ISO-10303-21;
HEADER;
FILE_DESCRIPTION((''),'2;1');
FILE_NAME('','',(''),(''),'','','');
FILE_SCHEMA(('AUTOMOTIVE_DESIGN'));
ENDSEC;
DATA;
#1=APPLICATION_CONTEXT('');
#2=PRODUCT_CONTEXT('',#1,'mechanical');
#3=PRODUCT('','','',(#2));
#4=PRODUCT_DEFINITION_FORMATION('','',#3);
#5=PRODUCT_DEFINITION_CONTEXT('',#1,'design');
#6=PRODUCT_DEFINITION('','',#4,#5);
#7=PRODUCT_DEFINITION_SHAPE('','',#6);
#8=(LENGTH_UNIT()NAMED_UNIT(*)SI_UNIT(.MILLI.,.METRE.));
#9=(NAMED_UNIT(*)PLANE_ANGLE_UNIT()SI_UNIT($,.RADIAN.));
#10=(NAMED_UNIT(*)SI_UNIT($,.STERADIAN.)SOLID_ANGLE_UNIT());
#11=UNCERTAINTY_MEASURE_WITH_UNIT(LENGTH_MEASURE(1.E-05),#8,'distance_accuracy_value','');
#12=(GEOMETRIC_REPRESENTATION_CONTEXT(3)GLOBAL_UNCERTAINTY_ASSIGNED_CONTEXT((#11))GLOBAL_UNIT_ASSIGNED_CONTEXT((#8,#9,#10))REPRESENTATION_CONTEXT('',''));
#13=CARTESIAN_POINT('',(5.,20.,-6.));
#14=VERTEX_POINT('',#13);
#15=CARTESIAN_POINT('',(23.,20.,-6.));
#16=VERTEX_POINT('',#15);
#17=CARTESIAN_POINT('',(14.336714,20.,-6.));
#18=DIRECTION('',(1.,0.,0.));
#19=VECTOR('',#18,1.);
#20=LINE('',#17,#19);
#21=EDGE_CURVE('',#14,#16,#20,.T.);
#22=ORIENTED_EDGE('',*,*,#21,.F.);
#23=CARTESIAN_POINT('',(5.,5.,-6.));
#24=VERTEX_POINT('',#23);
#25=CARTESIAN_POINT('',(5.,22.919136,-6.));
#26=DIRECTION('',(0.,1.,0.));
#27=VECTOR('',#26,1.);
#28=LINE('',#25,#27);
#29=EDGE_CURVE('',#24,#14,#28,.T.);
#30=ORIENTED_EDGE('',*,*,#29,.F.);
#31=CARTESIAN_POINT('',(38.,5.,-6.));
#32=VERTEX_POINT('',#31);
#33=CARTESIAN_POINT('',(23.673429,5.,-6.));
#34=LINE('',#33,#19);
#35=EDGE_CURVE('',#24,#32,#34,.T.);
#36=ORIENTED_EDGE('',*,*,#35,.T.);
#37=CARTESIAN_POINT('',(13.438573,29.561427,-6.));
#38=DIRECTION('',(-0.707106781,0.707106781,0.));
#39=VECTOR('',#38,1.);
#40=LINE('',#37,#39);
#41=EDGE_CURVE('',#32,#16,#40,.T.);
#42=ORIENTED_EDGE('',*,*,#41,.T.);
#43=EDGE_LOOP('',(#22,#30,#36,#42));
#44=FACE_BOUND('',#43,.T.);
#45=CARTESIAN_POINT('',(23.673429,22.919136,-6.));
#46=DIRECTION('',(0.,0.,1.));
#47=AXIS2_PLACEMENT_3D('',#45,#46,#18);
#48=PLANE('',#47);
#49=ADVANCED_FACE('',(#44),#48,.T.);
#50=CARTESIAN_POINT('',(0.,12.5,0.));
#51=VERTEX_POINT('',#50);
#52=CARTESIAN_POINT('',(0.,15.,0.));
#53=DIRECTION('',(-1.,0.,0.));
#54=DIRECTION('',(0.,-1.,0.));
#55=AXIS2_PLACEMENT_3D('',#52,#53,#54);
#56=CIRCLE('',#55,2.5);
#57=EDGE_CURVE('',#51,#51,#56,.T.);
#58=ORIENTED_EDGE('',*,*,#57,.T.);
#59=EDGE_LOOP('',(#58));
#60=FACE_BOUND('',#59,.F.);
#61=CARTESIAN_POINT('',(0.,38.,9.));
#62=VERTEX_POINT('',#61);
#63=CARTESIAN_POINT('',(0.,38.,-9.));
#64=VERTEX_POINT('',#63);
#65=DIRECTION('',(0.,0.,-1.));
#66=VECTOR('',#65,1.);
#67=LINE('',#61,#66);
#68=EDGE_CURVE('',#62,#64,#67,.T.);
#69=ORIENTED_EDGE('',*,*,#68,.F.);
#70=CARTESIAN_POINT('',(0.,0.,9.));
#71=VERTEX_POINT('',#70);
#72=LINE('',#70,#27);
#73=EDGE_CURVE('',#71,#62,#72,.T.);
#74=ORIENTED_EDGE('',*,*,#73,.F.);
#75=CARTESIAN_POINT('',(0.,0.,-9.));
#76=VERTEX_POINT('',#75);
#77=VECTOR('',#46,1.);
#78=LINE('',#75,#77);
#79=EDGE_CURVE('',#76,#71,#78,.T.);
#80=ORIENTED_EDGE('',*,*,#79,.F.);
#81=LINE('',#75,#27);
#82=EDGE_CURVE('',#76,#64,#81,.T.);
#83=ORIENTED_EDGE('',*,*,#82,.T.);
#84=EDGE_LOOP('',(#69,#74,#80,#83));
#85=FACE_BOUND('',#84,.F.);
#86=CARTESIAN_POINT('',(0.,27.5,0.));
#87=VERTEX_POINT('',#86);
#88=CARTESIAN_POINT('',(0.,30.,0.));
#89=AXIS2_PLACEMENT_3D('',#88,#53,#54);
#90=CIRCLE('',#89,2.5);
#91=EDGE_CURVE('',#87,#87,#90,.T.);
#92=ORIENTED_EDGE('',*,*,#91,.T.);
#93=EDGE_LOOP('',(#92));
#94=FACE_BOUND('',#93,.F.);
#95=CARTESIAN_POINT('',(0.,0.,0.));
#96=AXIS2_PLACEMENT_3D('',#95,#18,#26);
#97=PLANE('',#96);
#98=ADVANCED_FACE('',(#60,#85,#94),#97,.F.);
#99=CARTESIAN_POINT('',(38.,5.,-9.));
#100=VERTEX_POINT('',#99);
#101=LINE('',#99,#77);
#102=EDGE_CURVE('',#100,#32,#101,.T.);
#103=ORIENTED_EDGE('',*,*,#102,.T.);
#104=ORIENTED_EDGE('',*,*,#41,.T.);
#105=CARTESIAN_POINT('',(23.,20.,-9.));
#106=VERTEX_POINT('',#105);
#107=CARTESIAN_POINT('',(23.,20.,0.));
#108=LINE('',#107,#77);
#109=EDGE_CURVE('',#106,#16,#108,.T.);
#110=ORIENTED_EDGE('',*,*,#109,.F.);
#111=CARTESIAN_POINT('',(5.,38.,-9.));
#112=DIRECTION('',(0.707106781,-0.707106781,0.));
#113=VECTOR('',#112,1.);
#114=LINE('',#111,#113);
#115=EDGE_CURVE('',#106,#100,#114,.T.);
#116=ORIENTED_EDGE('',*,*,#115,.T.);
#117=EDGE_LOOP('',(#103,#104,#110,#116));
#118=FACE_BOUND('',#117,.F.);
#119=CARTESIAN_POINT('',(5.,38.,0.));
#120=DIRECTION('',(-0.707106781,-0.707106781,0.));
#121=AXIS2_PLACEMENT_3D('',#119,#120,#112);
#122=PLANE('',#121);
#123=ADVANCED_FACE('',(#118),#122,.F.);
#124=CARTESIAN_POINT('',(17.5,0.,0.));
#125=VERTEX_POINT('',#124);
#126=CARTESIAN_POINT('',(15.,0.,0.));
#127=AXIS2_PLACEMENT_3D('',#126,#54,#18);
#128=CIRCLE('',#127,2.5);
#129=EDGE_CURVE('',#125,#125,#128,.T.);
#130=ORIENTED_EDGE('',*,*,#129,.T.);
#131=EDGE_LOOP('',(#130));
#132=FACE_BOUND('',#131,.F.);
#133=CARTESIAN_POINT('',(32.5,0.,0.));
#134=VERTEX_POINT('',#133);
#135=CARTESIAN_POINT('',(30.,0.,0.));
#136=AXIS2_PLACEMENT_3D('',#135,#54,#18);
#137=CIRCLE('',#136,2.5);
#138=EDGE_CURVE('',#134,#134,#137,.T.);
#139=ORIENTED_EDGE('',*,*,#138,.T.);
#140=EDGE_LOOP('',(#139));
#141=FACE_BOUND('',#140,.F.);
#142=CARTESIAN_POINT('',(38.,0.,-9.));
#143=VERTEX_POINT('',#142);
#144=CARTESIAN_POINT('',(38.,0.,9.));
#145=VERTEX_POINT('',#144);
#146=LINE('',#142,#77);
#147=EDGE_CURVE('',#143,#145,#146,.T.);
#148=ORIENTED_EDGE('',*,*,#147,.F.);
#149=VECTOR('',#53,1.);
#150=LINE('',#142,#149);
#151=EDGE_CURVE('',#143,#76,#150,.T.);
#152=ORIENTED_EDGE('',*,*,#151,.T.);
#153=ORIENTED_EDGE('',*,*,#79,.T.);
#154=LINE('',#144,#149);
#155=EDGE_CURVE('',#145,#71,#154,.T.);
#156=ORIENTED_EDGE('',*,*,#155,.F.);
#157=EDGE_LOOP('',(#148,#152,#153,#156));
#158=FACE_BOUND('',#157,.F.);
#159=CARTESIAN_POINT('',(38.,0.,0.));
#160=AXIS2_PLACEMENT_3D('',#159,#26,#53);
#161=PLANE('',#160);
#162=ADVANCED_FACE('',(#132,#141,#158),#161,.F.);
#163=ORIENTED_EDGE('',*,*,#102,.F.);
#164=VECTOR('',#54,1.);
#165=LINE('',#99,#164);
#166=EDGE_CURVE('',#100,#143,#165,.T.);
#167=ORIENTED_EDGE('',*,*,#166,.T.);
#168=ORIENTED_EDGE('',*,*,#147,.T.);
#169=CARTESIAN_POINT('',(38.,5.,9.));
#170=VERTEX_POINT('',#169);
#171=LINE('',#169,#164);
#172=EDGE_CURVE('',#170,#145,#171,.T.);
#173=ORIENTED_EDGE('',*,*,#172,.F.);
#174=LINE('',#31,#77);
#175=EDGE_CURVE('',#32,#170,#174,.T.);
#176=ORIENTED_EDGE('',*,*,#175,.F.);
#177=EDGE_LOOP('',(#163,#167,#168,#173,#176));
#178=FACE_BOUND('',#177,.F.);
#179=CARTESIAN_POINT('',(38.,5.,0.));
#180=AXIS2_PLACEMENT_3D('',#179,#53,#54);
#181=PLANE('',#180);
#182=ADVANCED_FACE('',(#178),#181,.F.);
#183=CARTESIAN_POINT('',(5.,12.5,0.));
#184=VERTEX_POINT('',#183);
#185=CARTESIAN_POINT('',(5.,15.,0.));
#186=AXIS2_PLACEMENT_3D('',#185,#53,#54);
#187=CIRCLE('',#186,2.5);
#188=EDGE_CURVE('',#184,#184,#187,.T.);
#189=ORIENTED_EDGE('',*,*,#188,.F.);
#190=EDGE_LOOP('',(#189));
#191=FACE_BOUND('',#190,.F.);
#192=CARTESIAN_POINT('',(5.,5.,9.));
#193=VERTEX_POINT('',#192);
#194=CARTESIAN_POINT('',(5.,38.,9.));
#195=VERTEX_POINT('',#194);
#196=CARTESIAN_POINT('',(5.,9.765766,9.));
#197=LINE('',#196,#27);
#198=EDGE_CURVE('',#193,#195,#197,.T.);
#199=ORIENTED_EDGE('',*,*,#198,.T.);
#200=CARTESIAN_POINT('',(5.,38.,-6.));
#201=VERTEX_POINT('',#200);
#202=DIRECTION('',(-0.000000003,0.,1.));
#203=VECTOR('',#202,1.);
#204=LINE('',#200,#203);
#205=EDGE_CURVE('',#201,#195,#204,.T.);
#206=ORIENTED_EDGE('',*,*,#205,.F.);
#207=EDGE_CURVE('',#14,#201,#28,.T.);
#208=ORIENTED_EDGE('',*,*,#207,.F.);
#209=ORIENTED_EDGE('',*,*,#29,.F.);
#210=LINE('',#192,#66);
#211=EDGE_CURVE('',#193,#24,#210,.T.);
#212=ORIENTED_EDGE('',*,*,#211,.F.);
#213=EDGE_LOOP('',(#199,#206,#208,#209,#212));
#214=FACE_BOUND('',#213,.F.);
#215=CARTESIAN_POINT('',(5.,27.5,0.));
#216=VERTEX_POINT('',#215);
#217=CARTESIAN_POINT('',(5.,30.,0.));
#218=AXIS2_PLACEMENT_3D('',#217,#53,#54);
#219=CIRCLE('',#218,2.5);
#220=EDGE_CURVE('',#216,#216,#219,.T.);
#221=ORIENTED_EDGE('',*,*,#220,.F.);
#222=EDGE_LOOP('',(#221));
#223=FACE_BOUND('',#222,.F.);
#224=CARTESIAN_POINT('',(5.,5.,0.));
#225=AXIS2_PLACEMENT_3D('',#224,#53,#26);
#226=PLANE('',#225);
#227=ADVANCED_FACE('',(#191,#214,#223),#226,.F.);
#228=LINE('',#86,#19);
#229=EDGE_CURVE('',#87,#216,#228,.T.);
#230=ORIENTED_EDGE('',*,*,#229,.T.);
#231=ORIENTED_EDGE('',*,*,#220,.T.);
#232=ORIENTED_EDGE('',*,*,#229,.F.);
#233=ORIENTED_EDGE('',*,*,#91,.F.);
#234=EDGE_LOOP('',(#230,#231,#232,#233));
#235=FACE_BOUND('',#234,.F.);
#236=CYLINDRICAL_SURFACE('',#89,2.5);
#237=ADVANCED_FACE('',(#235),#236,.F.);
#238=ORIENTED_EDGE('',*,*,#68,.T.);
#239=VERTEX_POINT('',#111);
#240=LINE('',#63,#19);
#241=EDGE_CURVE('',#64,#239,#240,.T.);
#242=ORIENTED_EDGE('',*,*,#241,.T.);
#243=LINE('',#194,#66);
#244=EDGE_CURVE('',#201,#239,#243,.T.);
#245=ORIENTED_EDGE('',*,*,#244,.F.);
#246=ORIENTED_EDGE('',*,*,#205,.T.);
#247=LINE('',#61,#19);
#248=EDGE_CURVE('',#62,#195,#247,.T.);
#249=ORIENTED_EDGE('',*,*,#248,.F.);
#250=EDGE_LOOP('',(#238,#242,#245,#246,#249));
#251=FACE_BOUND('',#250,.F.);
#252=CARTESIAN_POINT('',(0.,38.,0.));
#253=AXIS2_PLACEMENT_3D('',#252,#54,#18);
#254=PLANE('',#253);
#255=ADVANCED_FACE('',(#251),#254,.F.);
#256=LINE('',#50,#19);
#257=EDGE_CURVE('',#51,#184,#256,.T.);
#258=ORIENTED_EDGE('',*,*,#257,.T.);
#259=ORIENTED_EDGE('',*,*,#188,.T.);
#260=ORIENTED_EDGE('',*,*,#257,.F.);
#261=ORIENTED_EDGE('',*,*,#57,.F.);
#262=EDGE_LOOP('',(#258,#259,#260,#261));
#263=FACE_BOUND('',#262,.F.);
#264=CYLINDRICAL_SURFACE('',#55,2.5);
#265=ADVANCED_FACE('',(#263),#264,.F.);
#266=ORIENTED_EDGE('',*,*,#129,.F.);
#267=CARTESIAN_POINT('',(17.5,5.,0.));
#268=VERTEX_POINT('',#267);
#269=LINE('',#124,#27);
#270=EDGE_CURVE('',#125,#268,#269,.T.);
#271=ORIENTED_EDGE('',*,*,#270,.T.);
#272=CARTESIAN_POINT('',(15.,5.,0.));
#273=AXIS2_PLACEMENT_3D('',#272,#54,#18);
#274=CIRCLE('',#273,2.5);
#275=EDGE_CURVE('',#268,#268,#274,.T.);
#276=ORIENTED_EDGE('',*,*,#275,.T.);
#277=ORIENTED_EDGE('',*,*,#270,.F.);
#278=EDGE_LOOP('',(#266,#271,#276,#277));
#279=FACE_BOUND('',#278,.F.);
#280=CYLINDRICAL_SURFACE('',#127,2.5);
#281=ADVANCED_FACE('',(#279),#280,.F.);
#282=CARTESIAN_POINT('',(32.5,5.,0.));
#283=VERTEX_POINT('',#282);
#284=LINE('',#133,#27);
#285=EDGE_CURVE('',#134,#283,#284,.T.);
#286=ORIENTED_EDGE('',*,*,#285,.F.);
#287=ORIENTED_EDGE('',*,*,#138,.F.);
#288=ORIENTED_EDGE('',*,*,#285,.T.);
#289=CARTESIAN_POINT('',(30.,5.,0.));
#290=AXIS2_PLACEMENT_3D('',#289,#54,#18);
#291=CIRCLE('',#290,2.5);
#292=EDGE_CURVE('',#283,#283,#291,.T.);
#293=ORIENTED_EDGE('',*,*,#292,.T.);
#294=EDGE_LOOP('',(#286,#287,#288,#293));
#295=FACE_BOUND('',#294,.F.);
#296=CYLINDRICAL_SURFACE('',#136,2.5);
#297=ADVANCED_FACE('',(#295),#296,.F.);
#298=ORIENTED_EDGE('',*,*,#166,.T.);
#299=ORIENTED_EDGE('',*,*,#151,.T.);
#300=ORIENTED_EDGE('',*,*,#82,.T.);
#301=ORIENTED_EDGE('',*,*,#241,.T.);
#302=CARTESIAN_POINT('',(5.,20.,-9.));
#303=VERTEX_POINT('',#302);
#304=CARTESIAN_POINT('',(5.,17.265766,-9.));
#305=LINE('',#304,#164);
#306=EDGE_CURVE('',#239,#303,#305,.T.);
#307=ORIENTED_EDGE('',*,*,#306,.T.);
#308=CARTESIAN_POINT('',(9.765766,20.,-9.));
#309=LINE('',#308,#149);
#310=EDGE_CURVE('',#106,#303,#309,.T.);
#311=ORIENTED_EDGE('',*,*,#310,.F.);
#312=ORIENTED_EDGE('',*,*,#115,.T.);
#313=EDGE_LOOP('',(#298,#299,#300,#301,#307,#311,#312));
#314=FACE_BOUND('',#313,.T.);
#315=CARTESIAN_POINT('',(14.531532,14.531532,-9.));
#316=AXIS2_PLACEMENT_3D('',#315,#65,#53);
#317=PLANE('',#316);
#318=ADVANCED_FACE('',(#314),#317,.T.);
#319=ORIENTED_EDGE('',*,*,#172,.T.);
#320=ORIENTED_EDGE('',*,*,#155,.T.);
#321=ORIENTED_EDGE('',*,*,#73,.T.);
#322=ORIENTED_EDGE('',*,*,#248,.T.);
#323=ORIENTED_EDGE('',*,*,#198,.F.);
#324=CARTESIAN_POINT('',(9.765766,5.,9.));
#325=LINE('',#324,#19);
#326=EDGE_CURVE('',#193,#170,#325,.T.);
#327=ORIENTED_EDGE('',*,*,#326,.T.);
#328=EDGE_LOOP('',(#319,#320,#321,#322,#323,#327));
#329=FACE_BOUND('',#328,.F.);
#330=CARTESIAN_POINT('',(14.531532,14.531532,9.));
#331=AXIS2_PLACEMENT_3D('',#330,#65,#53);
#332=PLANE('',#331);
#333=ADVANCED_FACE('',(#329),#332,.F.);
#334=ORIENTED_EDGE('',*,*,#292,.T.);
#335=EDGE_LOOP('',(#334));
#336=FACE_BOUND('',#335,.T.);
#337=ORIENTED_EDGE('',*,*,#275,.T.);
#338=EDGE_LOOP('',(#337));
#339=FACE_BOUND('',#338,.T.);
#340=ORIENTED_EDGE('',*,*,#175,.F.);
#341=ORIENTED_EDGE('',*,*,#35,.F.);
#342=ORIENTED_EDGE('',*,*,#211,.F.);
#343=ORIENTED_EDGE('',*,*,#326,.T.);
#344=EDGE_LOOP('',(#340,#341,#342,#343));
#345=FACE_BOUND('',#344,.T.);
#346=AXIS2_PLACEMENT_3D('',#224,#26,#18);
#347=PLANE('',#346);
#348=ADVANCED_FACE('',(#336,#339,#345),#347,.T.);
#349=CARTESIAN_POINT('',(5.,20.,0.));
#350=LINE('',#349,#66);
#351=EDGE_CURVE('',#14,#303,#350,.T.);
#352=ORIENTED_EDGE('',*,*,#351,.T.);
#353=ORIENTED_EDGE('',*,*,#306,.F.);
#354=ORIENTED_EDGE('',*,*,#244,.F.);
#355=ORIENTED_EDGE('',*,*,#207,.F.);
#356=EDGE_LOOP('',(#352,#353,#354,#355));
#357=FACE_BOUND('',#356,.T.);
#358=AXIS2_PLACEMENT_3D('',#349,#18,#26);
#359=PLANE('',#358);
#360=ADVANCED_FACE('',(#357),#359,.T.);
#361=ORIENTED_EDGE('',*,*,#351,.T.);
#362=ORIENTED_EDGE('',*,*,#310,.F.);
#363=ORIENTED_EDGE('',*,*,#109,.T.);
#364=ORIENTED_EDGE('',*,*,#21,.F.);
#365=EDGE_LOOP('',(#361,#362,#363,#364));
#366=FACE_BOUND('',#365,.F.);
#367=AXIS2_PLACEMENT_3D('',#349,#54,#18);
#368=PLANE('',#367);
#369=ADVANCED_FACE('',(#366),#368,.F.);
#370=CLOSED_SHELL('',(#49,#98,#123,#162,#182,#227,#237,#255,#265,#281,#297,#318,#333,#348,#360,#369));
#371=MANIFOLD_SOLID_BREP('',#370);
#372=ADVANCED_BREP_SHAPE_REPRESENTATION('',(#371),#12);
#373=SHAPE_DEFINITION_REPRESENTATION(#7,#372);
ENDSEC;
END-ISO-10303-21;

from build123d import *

# Parameters (mm, degrees)
PAD_DEPTH            = 9
SKETCH001_W          = 37.346859
SKETCH001_H          = 35.838272
POCKET_DEPTH         = 6
POCKET_DEPTH_BACK    = -100
SKETCH002_R          = 2.5
POCKET001_DEPTH      = 38.001
SKETCH003_R          = 2.5
POCKET002_DEPTH      = 38.001
SKETCH004_W          = 20
SKETCH004_H          = 20
POCKET003_DEPTH      = 9.001
POCKET003_DEPTH_BACK = -9.001


with BuildPart() as part:
    # Sketch → Pad (new body, symmetric)
    with BuildSketch(Plane.XY):
        Polygon((0, 0), (0, 38), (5, 38), (38, 5), (38, 0), align=None)
    extrude(amount=PAD_DEPTH, both=True)

    # Sketch001 → Pocket (cut, two sides)
    with BuildSketch(Plane.XY) as pocket_sk:
        with Locations((23.673429, 22.919136)):
            Rectangle(SKETCH001_W, SKETCH001_H)
    extrude(amount=-POCKET_DEPTH, mode=Mode.SUBTRACT)
    extrude(pocket_sk.sketch, amount=-POCKET_DEPTH_BACK, mode=Mode.SUBTRACT)

    # Sketch002 (on Face2 of Pocket) → Pocket001 (cut, through all)
    with BuildSketch(Plane.XZ):
        with Locations((15, 0)):
            Circle(SKETCH002_R)
        with Locations((30, 0)):
            Circle(SKETCH002_R)
    extrude(amount=-POCKET001_DEPTH, mode=Mode.SUBTRACT)

    # Sketch003 (on Face1 of Pocket001) → Pocket002 (cut, through all)
    with BuildSketch(Plane(origin=(0, 0, 0), x_dir=(0, -1, 0), z_dir=(-1, 0, 0))):
        with Locations((-30, 0)):
            Circle(SKETCH003_R)
        with Locations((-15, 0)):
            Circle(SKETCH003_R)
    extrude(amount=-POCKET002_DEPTH, mode=Mode.SUBTRACT)

    # Sketch004 → Pocket003 (cut, two sides)
    with BuildSketch(Plane.XY) as pocket003_sk:
        with Locations((15, 30)):
            Rectangle(SKETCH004_W, SKETCH004_H)
    extrude(amount=-POCKET003_DEPTH, mode=Mode.SUBTRACT)
    extrude(pocket003_sk.sketch, amount=-POCKET003_DEPTH_BACK, mode=Mode.SUBTRACT)


solid = part.part
